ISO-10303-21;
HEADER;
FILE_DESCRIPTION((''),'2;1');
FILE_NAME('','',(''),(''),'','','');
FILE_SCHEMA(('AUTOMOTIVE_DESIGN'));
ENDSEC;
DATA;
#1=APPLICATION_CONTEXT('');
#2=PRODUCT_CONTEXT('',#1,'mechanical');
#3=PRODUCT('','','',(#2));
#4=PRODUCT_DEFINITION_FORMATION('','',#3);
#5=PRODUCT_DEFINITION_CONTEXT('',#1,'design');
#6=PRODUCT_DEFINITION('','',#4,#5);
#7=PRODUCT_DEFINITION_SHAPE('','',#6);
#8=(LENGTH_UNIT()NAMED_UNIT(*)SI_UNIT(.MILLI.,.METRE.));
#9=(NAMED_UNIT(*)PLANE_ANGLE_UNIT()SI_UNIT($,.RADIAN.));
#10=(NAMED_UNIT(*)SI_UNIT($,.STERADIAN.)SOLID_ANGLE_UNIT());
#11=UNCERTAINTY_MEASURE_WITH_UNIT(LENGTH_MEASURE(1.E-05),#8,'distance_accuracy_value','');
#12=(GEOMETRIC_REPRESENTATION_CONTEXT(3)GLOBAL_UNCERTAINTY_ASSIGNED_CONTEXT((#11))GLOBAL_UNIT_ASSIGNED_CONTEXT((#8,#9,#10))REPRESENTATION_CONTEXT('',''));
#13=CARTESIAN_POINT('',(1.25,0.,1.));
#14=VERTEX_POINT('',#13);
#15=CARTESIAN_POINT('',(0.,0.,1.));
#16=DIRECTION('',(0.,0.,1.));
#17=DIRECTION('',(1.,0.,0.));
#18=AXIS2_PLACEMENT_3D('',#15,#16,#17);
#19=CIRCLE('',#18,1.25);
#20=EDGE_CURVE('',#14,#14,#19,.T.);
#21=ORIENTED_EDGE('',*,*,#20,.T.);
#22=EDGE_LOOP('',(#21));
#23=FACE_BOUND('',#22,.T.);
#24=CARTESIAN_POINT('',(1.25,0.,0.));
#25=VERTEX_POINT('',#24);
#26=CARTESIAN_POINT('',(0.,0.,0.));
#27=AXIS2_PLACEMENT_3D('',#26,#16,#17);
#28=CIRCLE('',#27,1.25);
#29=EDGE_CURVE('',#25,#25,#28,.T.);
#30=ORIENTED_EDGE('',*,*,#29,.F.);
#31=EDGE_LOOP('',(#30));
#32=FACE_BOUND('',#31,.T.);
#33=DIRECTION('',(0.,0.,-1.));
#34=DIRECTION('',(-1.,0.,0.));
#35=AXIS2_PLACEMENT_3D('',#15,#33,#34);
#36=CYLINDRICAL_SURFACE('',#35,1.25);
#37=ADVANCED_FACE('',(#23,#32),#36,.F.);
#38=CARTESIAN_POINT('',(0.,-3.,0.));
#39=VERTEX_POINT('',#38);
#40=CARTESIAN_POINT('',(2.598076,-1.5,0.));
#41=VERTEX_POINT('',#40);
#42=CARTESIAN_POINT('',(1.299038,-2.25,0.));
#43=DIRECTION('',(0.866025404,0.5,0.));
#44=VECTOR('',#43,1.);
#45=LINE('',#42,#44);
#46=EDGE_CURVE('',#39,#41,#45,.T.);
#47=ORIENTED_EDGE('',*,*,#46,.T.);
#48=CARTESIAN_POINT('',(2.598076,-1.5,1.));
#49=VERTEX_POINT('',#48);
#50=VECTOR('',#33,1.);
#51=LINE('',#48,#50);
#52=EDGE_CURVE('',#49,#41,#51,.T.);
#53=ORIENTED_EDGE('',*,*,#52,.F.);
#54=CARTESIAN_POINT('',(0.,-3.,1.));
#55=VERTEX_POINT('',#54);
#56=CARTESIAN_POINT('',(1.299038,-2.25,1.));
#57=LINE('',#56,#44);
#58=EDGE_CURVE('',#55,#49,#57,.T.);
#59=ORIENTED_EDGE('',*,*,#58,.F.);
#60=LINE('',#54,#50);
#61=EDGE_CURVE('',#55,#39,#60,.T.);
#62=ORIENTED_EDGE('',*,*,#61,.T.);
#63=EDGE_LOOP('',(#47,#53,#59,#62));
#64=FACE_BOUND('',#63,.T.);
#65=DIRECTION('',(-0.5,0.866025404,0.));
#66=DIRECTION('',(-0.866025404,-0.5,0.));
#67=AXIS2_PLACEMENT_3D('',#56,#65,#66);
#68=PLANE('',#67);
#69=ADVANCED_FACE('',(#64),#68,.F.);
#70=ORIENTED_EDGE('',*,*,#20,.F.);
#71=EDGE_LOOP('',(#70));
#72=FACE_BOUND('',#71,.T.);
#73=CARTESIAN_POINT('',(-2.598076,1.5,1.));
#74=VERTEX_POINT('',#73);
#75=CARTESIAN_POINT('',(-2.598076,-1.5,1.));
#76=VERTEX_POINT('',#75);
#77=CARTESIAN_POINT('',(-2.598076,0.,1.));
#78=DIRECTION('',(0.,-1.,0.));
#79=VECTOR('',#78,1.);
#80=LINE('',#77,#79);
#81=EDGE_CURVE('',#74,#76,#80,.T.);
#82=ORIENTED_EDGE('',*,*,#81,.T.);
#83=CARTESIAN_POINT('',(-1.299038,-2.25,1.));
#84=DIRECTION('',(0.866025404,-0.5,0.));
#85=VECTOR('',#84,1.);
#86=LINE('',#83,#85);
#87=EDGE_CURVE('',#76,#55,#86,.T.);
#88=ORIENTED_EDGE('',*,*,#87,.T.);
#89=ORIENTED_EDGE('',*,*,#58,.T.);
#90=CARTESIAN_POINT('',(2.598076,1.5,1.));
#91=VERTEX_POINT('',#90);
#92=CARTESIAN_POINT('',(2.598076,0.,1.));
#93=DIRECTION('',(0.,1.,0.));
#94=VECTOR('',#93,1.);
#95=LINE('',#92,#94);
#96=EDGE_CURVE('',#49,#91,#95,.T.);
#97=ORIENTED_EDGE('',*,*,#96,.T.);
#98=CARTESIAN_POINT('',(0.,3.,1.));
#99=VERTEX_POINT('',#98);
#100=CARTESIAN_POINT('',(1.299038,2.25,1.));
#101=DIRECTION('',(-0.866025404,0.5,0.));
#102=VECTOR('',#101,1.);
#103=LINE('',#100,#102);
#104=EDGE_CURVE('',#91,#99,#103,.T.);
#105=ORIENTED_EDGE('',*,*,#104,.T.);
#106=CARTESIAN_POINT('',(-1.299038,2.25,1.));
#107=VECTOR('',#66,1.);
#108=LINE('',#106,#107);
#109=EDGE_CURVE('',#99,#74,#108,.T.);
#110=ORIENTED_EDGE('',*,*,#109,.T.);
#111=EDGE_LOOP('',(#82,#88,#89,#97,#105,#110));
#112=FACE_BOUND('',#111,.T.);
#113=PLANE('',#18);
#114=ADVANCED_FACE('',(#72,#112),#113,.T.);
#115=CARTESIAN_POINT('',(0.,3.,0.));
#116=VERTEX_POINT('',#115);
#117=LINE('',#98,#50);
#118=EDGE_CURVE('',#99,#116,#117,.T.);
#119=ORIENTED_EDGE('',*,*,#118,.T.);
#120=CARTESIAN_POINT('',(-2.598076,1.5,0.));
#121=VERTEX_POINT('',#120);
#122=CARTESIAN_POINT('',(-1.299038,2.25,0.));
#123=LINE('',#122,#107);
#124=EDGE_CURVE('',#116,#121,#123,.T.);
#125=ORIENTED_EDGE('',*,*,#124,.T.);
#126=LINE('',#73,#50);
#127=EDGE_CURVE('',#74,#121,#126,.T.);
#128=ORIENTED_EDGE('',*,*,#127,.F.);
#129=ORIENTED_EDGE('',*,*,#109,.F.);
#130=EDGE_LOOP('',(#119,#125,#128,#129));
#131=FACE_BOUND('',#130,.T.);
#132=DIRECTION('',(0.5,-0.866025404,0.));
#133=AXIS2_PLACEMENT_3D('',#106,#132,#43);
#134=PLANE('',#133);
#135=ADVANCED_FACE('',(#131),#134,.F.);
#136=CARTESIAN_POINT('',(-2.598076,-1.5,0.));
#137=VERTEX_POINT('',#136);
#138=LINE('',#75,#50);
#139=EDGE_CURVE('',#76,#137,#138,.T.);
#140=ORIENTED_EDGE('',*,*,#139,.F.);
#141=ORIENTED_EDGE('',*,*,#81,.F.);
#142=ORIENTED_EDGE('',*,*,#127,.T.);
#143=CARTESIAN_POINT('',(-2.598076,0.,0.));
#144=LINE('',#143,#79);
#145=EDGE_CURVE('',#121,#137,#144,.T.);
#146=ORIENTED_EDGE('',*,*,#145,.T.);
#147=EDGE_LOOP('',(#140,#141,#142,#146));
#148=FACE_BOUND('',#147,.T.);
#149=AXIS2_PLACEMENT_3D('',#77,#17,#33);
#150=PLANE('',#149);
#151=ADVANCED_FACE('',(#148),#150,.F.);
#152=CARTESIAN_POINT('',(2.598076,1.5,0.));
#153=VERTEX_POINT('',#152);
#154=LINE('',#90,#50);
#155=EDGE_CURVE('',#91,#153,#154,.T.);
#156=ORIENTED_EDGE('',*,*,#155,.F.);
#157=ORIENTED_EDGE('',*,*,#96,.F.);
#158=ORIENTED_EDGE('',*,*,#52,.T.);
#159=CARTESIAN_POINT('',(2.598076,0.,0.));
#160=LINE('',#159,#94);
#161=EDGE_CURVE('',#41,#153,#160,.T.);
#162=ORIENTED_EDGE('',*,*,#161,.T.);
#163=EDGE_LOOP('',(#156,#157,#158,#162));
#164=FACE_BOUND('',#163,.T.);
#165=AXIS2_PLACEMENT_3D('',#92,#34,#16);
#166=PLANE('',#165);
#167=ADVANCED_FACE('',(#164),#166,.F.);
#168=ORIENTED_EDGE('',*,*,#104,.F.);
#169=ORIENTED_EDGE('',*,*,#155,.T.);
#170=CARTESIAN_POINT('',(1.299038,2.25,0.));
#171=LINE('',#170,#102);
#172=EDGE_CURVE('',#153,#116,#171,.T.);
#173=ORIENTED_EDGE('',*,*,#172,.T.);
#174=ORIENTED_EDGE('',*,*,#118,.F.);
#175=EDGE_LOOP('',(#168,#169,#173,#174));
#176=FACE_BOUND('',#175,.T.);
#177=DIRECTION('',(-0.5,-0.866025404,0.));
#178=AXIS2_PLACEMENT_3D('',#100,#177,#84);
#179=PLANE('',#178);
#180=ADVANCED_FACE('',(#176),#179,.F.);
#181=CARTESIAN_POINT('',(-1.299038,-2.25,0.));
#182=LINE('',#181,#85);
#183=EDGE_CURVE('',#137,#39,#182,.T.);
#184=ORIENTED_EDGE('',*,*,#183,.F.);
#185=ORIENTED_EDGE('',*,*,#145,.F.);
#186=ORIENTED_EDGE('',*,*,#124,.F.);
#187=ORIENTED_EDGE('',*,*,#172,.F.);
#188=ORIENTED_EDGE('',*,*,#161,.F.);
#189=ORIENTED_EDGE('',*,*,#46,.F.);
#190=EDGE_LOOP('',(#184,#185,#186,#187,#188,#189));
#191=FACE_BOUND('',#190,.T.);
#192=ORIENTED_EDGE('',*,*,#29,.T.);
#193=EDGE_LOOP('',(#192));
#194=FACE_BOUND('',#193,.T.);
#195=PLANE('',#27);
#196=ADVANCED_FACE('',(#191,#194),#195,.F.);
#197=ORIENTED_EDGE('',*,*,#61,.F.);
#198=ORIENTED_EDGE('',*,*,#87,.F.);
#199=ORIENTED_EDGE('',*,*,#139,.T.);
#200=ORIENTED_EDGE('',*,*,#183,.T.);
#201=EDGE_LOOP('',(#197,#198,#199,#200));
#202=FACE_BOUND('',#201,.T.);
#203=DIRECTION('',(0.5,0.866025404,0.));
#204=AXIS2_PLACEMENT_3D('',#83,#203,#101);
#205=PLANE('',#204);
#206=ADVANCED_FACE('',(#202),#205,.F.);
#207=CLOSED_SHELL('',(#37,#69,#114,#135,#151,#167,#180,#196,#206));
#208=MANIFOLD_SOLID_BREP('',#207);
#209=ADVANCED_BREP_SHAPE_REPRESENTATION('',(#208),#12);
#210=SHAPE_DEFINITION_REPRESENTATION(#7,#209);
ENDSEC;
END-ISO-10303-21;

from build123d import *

# Parameters (mm, degrees)
ESQUISSE1_R        = 1.25
BOSS_EXTRU_3_DEPTH = 1


with BuildPart() as part:
    # Esquisse1 → Boss.-Extru.3 (new body)
    with BuildSketch(Plane.XY):
        Polygon((0, 3), (-2.598076211, 1.5), (-2.598076211, -1.5), (0, -3), (2.598076211, -1.5), (2.598076211, 1.5), align=None)
        Circle(ESQUISSE1_R, mode=Mode.SUBTRACT)
    extrude(amount=BOSS_EXTRU_3_DEPTH)


solid = part.part
